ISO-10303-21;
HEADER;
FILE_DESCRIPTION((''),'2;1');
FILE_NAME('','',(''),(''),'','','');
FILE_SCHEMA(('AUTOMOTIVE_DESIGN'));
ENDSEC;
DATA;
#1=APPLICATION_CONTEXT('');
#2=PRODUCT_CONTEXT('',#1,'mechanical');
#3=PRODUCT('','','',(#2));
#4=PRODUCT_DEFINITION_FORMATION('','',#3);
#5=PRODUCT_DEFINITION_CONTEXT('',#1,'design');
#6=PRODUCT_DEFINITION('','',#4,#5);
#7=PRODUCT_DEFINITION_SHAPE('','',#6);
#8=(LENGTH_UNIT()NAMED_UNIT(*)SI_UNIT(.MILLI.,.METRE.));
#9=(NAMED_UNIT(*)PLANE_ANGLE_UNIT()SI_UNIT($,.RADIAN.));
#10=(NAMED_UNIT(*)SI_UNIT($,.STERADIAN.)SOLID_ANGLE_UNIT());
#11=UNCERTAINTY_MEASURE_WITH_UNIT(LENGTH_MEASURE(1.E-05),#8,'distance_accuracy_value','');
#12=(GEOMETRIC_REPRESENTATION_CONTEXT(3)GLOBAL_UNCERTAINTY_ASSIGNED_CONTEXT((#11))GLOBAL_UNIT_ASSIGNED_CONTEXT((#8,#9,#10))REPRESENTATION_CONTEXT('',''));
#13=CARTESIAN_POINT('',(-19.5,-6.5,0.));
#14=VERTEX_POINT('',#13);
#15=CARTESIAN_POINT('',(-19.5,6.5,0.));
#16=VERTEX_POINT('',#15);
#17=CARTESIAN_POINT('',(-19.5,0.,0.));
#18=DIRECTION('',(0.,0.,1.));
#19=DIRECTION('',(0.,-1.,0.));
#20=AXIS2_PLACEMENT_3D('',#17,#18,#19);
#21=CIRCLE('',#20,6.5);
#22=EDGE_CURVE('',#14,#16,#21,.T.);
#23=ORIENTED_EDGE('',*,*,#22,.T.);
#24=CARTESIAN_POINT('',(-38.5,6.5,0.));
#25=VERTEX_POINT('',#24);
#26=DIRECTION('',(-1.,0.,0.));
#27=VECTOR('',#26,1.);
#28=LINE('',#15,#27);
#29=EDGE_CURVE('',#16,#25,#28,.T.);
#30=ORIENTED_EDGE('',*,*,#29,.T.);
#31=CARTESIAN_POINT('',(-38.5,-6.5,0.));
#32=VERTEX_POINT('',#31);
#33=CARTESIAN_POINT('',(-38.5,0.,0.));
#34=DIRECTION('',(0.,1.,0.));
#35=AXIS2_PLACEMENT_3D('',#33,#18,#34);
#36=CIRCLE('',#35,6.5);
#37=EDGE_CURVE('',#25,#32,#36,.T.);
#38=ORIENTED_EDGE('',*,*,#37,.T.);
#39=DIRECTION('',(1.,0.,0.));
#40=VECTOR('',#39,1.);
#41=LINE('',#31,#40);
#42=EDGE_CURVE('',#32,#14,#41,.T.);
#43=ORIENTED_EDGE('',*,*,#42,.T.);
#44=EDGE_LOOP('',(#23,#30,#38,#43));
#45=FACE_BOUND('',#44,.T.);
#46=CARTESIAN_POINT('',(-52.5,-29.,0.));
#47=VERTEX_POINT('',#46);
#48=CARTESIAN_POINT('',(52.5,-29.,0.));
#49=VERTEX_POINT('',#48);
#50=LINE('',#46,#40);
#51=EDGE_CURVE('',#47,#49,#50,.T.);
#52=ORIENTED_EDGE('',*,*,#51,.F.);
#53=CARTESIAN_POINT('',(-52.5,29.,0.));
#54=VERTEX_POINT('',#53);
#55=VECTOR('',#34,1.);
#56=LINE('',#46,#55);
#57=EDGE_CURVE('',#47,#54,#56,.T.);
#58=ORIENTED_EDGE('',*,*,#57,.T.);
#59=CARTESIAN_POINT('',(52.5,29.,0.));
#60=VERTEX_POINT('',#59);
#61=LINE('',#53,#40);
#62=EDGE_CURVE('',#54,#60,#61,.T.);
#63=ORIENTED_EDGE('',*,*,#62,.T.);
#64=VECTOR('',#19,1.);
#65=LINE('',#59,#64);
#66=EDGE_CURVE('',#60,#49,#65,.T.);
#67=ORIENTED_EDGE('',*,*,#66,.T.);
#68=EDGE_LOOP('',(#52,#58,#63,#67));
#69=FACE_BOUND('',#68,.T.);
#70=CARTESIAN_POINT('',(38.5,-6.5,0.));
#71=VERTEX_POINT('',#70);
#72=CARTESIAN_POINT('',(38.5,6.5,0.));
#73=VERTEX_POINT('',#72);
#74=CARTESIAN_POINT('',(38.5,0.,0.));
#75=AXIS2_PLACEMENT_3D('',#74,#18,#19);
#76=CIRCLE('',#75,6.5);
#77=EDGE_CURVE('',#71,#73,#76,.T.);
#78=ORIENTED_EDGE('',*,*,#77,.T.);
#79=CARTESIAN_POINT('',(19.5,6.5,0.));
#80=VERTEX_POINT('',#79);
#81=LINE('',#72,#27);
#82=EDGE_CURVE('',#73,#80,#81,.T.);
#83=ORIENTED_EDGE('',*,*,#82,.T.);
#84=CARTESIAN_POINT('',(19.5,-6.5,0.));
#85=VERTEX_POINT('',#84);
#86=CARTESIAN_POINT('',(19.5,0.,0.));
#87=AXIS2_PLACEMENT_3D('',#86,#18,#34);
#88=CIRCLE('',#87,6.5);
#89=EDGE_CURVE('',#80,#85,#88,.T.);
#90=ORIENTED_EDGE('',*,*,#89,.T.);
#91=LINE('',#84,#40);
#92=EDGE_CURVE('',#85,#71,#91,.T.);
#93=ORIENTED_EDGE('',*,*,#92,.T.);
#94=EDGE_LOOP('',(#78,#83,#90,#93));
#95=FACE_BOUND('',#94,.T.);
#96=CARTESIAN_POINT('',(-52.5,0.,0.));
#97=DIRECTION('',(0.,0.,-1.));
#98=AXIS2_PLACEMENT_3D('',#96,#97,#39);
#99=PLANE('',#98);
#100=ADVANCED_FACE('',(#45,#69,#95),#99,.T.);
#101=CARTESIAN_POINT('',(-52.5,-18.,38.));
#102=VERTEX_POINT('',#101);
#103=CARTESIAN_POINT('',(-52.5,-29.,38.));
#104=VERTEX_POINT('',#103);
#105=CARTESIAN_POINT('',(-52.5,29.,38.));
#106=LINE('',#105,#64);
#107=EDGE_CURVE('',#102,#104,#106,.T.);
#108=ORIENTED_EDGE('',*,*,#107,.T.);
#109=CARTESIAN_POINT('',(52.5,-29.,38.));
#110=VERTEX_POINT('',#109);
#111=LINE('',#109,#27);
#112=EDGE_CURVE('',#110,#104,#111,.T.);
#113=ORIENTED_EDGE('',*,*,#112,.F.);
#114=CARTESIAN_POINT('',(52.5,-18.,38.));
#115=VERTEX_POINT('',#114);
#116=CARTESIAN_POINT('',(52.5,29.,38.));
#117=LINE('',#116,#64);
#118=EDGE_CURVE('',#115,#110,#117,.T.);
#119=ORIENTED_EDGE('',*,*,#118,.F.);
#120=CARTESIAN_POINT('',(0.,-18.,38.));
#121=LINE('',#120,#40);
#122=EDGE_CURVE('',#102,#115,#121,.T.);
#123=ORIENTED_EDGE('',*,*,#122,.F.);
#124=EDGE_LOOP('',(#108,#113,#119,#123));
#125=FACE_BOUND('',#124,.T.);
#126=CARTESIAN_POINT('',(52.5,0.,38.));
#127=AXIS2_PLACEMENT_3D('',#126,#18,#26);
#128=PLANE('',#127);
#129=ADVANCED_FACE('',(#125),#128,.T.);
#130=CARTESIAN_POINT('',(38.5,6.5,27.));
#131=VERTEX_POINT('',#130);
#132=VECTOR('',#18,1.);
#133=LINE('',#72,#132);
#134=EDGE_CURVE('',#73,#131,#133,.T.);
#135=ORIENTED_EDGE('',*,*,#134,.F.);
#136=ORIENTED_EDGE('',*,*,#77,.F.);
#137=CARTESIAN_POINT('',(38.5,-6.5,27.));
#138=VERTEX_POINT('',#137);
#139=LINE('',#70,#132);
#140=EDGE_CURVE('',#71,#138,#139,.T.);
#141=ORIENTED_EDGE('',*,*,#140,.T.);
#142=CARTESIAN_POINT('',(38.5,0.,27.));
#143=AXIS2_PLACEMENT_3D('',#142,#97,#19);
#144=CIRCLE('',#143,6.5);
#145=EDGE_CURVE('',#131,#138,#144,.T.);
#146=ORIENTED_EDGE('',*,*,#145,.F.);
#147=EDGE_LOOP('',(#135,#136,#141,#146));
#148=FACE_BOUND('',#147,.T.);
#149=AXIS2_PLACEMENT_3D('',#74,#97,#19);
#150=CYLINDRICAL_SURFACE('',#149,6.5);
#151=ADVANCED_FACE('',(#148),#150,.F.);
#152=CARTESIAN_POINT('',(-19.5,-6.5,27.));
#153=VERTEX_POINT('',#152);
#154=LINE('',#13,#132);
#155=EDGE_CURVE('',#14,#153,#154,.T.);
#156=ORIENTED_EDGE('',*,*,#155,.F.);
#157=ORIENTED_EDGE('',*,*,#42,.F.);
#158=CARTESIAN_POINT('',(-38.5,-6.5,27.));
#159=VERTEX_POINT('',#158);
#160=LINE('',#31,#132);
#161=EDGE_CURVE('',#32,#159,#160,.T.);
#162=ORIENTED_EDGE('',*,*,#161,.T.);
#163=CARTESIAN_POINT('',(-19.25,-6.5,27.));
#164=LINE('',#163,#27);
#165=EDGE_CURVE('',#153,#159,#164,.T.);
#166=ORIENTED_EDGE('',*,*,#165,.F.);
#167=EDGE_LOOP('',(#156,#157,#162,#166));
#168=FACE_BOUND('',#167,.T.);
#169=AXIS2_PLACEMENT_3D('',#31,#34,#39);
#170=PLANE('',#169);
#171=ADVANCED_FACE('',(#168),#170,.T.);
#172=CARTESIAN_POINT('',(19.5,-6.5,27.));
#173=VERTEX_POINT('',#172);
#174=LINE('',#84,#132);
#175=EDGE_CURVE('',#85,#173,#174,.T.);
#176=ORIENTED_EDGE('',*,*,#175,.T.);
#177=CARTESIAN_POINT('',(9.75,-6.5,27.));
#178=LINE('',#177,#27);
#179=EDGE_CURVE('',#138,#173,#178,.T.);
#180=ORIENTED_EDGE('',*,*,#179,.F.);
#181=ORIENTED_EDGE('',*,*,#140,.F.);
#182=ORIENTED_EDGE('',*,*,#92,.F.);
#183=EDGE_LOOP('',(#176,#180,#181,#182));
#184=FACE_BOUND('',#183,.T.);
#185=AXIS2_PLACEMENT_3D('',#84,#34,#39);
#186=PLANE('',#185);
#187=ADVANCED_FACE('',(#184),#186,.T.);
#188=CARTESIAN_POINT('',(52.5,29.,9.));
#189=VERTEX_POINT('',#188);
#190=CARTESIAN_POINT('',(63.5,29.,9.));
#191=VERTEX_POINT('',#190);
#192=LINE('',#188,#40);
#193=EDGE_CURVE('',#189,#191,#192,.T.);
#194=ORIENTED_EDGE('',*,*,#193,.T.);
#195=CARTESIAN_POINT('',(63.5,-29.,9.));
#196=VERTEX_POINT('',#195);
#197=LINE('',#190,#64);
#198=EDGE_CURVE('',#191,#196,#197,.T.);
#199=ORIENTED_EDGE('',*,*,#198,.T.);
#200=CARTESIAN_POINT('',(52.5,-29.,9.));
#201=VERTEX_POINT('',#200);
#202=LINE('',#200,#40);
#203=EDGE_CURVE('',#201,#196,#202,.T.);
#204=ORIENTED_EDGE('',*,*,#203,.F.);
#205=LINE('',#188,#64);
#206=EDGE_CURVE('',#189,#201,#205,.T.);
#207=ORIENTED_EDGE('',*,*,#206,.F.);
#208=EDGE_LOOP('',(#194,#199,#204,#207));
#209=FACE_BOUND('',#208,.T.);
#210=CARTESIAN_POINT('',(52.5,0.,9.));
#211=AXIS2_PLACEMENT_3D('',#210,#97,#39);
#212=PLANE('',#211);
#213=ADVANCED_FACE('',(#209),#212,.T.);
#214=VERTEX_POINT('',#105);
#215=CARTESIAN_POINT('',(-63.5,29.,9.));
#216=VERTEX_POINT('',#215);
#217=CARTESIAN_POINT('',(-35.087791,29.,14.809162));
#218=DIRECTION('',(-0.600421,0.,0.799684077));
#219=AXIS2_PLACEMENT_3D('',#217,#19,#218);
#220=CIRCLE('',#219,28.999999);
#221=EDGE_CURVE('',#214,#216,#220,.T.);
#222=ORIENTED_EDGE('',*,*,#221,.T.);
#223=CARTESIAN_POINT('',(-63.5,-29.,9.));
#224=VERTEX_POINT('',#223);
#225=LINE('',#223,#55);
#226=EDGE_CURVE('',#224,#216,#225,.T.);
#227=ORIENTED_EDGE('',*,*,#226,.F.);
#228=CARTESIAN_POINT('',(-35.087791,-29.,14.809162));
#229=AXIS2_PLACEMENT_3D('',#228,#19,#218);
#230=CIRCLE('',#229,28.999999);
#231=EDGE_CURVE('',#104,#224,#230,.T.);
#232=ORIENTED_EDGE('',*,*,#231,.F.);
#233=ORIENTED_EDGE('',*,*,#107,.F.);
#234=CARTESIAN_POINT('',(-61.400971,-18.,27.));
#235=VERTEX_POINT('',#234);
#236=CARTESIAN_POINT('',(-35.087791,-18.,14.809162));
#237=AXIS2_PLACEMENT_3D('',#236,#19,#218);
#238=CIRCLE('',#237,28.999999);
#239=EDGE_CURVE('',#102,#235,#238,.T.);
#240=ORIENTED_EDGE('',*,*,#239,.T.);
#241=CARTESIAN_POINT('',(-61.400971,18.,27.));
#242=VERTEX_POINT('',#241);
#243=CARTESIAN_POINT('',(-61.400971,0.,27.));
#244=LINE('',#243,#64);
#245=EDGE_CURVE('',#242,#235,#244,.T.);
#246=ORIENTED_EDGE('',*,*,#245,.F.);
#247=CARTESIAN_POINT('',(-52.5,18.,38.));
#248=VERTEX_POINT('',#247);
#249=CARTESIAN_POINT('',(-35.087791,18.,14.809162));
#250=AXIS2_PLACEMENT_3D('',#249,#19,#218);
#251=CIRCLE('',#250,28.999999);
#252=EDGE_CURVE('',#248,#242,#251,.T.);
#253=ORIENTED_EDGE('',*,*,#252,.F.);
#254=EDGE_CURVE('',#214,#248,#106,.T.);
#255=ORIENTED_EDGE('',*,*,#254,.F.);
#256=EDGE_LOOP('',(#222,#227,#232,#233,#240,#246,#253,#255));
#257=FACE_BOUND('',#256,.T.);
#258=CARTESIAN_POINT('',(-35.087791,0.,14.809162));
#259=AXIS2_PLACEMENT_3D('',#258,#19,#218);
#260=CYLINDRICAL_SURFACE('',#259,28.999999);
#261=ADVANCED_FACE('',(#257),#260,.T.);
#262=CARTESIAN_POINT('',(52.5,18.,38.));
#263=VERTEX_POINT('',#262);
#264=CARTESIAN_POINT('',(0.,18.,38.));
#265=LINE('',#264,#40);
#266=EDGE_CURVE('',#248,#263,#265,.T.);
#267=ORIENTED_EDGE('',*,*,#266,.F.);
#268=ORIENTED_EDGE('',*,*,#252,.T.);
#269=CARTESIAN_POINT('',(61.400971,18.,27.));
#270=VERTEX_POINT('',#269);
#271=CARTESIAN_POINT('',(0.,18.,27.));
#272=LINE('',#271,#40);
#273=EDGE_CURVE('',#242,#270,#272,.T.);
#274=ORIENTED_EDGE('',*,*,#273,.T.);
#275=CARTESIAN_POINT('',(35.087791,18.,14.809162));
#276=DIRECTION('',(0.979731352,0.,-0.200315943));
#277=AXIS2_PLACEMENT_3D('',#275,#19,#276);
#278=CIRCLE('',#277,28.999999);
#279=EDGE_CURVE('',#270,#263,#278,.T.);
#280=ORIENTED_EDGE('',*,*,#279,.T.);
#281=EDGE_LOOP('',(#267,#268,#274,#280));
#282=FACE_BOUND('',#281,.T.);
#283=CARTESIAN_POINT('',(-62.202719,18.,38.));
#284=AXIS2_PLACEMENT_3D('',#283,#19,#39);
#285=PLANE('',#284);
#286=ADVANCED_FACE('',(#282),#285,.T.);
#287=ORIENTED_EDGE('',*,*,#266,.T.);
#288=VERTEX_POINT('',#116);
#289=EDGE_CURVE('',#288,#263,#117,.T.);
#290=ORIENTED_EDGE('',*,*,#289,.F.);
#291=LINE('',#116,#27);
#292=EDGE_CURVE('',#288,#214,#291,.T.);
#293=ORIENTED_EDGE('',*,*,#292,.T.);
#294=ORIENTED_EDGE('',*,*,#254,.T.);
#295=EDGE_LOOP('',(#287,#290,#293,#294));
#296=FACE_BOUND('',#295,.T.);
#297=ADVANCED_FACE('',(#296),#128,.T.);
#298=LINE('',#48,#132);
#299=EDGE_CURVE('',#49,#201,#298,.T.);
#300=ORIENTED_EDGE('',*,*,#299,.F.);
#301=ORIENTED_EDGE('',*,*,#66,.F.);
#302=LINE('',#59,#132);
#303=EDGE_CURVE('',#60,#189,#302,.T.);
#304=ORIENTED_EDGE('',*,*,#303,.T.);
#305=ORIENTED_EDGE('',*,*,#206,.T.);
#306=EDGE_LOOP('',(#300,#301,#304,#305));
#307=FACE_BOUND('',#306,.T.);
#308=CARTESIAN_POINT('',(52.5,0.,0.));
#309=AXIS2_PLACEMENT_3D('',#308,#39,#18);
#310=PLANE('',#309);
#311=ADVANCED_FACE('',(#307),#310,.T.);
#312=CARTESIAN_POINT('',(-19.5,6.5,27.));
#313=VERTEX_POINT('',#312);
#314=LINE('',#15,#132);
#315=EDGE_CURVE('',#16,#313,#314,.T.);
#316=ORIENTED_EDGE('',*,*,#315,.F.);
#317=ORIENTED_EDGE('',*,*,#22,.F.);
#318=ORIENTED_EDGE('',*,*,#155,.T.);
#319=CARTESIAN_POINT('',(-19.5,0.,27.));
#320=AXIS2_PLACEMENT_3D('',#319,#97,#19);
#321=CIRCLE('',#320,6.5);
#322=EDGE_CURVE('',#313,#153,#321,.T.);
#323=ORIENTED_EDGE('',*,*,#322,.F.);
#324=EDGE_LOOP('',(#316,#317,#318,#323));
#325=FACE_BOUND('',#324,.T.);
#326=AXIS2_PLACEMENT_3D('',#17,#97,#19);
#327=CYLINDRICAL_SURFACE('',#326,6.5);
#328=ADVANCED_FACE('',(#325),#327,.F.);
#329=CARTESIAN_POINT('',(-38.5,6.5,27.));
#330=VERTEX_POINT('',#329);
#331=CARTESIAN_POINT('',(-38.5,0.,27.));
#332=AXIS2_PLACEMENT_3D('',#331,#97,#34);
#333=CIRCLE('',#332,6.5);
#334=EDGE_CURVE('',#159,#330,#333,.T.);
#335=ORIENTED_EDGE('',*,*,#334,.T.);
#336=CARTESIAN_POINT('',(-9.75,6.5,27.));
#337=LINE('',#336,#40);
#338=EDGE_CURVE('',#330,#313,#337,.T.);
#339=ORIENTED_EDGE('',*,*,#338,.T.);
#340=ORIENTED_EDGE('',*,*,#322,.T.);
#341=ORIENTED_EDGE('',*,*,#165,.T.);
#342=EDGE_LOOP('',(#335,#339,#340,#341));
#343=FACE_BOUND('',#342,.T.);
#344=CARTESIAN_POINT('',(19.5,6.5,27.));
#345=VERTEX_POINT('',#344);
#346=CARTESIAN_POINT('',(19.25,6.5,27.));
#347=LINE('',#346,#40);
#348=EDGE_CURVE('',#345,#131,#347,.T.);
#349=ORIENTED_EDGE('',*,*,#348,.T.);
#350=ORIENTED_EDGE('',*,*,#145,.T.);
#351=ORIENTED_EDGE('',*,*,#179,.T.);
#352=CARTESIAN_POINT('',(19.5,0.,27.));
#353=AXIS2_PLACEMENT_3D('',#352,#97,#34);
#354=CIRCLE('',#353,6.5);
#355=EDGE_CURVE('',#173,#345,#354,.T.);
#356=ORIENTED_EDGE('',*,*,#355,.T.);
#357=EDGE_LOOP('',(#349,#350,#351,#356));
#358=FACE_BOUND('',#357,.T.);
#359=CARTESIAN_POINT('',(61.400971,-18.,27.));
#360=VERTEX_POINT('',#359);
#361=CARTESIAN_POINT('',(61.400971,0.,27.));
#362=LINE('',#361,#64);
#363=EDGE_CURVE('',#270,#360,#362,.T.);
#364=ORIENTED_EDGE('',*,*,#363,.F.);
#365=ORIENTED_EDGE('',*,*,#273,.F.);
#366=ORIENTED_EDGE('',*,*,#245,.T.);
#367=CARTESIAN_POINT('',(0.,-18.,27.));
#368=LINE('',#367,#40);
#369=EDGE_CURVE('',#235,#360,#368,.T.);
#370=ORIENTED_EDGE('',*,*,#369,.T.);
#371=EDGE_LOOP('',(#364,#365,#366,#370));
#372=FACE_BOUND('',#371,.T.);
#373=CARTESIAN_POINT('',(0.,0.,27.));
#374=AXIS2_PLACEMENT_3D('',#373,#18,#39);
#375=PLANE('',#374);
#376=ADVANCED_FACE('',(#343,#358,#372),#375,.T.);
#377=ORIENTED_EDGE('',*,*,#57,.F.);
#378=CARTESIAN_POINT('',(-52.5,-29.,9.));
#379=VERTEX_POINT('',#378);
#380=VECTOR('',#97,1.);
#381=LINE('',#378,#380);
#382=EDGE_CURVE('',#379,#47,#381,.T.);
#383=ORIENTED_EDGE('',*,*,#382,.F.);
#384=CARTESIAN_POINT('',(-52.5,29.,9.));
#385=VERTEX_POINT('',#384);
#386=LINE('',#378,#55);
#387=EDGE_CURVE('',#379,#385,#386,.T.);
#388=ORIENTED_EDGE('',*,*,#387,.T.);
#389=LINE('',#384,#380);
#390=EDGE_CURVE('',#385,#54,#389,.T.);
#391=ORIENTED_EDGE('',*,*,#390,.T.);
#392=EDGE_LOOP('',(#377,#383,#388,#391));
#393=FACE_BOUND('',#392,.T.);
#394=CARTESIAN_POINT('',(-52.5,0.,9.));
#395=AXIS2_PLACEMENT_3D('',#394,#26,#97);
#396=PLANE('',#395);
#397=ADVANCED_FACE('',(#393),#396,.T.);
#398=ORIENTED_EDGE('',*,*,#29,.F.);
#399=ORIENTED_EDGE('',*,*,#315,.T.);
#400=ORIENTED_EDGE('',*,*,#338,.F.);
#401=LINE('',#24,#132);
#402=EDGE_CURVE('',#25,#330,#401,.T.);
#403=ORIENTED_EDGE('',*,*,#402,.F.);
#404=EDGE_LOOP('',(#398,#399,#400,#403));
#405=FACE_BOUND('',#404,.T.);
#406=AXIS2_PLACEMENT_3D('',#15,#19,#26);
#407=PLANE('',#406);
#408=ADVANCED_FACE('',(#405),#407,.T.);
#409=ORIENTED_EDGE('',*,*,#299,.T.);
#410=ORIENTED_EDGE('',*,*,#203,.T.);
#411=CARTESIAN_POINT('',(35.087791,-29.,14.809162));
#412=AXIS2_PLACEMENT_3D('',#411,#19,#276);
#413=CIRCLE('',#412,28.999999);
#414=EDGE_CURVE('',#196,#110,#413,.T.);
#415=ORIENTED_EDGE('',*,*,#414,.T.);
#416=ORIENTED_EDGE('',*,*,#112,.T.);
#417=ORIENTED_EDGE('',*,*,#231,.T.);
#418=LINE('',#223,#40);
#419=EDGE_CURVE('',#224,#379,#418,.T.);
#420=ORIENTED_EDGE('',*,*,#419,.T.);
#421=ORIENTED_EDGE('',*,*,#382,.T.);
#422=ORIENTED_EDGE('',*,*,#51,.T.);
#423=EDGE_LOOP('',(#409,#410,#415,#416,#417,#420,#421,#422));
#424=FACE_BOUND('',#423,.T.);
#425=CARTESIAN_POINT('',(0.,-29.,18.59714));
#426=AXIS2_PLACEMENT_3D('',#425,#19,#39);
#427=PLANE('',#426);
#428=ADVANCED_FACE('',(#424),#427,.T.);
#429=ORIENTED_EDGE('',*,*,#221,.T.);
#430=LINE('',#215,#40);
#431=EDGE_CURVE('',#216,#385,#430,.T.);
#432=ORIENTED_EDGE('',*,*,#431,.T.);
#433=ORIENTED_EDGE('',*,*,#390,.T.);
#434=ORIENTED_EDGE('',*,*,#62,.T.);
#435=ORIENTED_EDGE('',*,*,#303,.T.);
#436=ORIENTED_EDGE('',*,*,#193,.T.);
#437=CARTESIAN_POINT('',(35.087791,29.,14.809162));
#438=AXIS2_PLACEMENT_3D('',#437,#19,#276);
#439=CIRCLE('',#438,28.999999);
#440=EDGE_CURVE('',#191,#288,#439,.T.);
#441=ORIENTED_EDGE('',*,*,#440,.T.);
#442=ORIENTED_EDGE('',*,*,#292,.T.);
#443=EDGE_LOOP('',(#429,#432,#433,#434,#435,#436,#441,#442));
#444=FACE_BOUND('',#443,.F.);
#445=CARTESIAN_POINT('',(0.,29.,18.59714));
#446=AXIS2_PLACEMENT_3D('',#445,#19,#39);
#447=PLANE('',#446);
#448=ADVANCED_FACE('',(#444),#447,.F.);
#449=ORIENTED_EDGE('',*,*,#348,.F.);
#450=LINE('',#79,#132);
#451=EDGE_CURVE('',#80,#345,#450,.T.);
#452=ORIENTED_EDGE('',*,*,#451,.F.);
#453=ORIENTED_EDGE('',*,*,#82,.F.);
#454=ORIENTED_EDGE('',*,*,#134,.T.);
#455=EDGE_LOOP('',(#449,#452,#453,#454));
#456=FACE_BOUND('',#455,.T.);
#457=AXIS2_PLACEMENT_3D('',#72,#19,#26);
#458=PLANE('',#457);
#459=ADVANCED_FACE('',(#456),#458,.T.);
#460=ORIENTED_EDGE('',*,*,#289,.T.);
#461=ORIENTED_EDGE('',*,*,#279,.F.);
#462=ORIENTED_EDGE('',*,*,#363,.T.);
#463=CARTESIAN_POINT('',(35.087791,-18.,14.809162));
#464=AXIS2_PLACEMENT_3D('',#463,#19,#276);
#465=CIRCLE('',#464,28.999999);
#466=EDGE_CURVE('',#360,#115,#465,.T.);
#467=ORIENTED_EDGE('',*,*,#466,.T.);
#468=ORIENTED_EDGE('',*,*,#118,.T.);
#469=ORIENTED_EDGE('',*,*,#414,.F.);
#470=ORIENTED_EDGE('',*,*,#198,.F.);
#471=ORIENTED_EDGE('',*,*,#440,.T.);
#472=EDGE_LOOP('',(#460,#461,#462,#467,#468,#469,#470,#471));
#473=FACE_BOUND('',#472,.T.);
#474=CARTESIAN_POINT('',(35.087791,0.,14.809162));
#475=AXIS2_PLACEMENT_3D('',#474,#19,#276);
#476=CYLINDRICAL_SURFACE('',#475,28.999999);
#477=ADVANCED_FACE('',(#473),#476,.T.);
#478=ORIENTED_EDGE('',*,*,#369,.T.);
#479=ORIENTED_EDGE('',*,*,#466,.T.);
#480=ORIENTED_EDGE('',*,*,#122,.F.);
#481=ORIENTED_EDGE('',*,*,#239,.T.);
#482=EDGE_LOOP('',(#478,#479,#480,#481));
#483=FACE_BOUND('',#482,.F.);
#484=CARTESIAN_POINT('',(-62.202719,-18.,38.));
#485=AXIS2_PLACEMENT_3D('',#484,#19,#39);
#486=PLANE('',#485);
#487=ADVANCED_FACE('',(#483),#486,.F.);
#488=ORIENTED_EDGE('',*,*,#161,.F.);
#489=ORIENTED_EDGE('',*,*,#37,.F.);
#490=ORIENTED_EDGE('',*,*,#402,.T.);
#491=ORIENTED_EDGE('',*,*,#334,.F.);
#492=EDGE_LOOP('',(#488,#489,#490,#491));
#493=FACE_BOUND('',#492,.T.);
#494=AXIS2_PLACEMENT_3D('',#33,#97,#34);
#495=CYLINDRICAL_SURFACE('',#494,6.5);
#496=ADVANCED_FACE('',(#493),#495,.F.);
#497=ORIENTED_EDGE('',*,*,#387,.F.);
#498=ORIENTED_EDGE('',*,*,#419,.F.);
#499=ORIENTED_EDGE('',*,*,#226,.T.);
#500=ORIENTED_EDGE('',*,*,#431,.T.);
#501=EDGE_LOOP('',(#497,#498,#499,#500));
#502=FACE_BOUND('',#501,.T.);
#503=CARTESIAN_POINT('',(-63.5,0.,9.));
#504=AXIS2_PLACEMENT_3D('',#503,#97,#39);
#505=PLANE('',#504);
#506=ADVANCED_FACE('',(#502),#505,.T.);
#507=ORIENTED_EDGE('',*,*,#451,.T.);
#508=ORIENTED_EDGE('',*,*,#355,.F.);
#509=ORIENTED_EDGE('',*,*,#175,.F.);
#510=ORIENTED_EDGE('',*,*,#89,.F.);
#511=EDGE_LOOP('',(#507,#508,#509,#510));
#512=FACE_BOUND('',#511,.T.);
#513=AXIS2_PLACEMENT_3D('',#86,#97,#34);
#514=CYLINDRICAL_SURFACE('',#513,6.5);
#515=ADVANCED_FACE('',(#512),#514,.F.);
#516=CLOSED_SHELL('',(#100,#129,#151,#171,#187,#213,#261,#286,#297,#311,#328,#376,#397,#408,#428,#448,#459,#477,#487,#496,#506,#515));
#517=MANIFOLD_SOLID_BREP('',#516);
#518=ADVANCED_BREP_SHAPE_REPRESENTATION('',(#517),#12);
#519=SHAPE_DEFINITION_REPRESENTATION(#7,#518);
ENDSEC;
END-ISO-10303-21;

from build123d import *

# Parameters (mm, degrees)
F1_DEPTH = 29
F2_W     = 124.405438
F2_H     = 36
F3_DEPTH = 11
F5_DEPTH = 38.001


with BuildPart() as f1:
    # F0 (on Front) → F1 (new body, symmetric)
    with BuildSketch(Plane.XZ):
        with BuildLine():
            Line((-52.5, 0), (0, 0))
            Line((0, 0), (52.5, 0))
            Line((52.5, 0), (52.5, 9))
            Line((52.5, 9), (63.5, 9))
            ThreePointArc((63.5, 9), (62.202719, 25.094135), (52.5, 38))
            Line((52.5, 38), (0, 38))
            Line((0, 38), (-52.5, 38))
            ThreePointArc((-52.5, 38), (-62.202719, 25.094135), (-63.5, 9))
            Line((-63.5, 9), (-52.5, 9))
            Line((-52.5, 9), (-52.5, 0))
        make_face()
    extrude(amount=F1_DEPTH, both=True)

    # F2 (on face) → F3 (cut)
    with BuildSketch(Plane.XY.offset(38)):
        Rectangle(F2_W, F2_H)
    extrude(amount=-F3_DEPTH, mode=Mode.SUBTRACT)

    # F4 (on Top) → F5 (cut, through all)
    with BuildSketch(Plane.XY):
        with BuildLine():
            Line((-19.5, 6.5), (-38.5, 6.5))
            ThreePointArc((-38.5, 6.5), (-45, 0), (-38.5, -6.5))
            Line((-38.5, -6.5), (-19.5, -6.5))
            ThreePointArc((-19.5, -6.5), (-13, 0), (-19.5, 6.5))
        make_face()
        with BuildLine():
            ThreePointArc((19.5, 6.5), (13, 0), (19.5, -6.5))
            Line((19.5, -6.5), (38.5, -6.5))
            ThreePointArc((38.5, -6.5), (45, 0), (38.5, 6.5))
            Line((38.5, 6.5), (19.5, 6.5))
        make_face()
    extrude(amount=F5_DEPTH, mode=Mode.SUBTRACT)


solid = f1.part
